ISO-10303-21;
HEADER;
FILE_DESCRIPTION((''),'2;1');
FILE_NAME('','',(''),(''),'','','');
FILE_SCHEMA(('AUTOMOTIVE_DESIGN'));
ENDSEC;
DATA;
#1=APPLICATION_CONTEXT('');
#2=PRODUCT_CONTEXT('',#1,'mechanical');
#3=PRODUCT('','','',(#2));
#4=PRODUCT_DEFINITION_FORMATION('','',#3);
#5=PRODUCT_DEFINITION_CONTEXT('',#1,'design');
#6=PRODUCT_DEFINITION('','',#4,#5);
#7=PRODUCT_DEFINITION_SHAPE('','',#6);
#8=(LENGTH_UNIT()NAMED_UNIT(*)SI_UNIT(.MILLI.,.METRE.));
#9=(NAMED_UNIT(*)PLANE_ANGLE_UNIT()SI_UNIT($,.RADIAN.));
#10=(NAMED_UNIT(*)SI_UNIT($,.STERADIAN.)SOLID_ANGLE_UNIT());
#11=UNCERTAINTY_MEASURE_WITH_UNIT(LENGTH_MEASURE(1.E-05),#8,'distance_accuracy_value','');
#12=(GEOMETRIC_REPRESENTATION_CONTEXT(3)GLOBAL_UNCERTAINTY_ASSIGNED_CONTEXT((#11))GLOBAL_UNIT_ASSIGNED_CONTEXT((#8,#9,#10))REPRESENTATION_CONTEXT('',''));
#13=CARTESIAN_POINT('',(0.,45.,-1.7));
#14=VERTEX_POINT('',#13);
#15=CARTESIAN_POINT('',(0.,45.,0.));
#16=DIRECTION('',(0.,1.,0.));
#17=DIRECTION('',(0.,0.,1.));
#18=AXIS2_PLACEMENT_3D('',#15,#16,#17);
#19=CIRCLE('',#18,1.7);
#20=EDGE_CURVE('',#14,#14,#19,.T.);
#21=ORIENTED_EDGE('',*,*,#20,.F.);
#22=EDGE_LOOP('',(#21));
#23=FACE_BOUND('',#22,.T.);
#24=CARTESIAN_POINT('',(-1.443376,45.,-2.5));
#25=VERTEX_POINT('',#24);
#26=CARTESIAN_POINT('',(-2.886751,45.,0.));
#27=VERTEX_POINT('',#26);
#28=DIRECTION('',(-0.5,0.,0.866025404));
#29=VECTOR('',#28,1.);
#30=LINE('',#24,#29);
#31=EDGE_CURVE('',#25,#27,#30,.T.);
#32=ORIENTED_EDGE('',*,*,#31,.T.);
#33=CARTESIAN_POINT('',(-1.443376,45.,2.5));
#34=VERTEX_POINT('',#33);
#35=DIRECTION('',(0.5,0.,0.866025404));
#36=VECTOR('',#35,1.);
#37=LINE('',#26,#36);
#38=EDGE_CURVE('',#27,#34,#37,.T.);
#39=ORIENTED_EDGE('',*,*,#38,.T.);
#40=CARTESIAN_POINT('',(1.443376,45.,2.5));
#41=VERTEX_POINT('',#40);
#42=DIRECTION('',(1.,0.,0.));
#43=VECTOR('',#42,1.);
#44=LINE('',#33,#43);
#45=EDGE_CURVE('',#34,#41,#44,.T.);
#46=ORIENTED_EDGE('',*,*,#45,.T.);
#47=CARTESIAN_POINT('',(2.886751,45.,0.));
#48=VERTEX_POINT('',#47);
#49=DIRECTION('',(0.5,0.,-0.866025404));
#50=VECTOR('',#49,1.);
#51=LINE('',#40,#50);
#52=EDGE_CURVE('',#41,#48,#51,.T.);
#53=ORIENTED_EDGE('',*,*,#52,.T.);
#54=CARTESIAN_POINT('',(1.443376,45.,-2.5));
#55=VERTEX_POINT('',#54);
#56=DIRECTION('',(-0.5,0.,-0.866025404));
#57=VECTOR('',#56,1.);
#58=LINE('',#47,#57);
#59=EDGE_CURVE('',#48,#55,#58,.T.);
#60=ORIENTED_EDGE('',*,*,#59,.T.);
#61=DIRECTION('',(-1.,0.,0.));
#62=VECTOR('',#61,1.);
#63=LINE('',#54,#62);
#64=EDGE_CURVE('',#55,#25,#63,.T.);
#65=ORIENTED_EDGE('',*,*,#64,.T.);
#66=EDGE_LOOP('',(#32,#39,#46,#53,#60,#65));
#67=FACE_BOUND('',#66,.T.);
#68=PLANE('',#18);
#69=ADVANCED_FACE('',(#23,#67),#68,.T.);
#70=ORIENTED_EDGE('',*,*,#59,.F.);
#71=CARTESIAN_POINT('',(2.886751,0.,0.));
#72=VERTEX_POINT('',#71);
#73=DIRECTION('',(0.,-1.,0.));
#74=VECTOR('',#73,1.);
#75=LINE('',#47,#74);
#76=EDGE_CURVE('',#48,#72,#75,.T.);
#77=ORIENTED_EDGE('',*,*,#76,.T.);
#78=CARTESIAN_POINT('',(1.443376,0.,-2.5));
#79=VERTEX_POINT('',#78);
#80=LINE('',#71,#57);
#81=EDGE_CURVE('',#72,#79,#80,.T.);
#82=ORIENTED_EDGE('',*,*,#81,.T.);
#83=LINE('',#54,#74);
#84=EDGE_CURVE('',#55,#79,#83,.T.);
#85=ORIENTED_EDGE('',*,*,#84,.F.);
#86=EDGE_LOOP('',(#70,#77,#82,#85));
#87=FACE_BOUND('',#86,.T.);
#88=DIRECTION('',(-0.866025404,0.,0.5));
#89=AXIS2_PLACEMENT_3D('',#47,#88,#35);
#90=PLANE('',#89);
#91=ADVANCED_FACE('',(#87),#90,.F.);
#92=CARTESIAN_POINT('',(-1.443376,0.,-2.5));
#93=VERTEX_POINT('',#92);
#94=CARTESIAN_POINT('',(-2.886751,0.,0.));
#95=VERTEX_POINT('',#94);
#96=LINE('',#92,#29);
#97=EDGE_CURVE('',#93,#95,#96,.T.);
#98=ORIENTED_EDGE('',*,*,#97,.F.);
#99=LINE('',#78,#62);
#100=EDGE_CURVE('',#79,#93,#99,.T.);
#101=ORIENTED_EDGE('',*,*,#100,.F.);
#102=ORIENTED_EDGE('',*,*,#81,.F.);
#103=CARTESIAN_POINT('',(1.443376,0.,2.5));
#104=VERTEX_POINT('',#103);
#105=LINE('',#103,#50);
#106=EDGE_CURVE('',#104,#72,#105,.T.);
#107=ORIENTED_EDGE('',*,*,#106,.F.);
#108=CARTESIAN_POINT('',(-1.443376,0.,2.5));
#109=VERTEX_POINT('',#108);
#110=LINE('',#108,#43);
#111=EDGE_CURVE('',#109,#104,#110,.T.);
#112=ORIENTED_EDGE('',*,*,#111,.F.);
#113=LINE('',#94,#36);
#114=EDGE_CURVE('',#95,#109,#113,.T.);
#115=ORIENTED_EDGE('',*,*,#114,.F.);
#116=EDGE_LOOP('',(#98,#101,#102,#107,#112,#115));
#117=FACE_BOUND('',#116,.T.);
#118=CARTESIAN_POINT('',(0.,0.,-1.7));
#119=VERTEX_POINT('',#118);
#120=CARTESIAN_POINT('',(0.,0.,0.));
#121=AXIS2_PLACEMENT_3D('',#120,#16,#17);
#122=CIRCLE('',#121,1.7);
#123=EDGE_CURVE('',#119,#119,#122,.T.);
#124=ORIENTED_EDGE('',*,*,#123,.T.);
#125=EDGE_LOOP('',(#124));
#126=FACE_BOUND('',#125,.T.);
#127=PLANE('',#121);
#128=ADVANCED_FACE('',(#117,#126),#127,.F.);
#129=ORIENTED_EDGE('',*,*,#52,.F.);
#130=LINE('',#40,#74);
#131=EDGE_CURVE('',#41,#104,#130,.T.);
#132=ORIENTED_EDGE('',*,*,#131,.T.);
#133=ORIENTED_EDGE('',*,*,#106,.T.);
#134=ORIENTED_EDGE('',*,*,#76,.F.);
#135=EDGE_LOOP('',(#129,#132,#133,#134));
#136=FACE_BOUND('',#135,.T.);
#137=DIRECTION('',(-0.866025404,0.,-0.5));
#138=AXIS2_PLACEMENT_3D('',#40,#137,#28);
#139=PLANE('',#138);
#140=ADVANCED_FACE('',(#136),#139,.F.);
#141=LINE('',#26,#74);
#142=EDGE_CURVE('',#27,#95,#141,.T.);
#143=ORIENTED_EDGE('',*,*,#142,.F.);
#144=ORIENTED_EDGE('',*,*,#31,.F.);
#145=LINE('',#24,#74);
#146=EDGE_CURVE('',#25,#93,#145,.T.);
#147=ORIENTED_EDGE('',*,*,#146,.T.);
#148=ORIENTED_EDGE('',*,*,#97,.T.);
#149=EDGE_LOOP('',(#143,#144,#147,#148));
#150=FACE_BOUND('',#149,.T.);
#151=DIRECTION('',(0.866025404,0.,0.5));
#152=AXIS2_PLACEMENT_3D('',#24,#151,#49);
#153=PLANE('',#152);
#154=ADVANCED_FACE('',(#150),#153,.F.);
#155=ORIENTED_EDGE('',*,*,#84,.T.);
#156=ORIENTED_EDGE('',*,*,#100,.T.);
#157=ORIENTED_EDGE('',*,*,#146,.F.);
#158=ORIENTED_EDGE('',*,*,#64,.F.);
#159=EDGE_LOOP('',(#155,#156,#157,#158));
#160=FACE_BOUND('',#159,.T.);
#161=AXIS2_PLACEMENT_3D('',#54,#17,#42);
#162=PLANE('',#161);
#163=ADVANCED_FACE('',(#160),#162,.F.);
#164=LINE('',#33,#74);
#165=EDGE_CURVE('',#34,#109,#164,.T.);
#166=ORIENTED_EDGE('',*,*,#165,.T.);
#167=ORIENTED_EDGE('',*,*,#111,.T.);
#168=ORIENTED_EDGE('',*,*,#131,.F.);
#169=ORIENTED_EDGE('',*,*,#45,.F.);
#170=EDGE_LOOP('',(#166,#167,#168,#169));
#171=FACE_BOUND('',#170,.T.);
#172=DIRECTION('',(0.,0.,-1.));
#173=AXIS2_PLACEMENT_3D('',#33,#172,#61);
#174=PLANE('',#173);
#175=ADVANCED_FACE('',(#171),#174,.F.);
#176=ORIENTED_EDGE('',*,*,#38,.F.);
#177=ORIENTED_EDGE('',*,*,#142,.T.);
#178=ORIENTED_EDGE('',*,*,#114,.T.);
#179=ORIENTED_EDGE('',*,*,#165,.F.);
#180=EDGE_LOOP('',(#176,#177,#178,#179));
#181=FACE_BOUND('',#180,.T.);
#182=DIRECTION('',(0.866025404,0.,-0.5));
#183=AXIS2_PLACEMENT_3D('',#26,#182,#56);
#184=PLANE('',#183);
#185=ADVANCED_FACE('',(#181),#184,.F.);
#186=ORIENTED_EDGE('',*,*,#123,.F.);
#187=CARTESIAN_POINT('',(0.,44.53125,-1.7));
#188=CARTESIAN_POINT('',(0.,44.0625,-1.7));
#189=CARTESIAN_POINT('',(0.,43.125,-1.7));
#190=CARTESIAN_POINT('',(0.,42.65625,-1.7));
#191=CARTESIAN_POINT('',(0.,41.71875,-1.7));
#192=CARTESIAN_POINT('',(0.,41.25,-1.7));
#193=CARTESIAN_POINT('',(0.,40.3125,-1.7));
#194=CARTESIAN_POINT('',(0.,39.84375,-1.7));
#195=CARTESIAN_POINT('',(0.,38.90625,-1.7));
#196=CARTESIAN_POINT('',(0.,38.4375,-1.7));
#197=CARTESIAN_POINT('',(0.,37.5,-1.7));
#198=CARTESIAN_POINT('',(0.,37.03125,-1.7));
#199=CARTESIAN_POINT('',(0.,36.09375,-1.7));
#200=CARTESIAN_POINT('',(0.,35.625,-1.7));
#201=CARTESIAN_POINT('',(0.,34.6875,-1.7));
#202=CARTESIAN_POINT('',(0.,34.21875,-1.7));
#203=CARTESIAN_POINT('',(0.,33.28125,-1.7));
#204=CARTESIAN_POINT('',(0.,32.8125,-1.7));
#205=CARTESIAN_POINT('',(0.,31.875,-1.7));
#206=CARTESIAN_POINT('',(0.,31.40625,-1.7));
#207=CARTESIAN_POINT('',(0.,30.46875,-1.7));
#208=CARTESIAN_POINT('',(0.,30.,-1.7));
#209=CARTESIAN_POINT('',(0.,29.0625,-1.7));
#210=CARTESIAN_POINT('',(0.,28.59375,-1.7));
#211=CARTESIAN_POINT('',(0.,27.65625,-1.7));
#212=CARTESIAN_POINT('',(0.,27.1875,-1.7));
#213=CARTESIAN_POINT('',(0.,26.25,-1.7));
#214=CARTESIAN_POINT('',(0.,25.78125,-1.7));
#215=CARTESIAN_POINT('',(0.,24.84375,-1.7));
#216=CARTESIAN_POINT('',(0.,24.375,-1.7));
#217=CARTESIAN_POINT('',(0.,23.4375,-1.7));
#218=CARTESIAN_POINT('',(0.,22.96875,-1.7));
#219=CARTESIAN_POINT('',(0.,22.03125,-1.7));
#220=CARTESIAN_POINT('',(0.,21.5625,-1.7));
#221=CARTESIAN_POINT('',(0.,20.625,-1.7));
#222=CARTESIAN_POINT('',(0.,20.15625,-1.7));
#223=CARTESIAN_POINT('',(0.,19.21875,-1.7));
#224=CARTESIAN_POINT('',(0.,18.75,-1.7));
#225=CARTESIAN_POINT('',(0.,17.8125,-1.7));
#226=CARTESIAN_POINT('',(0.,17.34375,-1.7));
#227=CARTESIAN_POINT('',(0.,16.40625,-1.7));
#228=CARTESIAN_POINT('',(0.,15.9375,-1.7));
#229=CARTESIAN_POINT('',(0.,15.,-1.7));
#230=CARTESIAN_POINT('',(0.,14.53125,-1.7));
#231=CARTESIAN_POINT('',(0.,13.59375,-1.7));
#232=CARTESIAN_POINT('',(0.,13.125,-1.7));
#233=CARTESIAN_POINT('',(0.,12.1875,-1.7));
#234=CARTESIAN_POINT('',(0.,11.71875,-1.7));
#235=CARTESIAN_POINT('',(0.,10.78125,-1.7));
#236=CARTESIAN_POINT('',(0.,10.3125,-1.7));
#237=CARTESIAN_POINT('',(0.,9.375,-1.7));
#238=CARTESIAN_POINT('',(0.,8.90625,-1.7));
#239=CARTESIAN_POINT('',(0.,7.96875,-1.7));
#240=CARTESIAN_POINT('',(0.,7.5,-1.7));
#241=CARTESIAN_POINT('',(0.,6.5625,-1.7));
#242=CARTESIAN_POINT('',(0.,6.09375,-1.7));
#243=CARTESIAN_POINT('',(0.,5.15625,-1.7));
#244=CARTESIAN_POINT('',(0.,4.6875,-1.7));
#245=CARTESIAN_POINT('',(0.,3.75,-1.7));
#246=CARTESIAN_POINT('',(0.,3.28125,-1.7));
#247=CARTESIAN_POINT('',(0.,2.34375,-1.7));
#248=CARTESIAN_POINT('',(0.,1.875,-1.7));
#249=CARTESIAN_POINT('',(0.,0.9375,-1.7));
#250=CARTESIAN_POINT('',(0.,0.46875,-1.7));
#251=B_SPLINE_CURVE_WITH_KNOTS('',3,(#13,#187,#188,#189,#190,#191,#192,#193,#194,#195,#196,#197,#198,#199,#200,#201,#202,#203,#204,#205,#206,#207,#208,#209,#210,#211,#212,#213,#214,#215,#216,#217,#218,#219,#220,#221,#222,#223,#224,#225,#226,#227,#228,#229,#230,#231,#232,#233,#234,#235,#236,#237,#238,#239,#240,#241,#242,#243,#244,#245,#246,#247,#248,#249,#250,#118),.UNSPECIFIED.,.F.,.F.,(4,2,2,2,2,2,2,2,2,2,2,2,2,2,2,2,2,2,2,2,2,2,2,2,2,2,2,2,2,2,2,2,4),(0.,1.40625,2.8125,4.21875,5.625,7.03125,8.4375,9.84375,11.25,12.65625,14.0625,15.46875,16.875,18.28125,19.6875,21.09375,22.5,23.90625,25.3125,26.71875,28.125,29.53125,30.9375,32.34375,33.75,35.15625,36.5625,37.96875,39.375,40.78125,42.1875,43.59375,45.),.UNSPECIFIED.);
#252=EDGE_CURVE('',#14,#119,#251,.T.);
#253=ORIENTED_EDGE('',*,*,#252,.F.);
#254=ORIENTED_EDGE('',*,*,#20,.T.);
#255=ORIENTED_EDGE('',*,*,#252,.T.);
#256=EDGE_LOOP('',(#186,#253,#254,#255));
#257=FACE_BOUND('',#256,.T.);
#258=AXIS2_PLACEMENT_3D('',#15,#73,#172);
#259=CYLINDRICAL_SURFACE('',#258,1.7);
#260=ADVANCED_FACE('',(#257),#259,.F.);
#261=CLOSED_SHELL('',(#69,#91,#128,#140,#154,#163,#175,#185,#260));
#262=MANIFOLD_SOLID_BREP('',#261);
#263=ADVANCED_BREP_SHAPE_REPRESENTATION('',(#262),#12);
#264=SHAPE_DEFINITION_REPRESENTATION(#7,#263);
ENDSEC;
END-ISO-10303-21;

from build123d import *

# Parameters (mm, degrees)
SKETCH_1_R      = 1.7
EXTRUDE_1_DEPTH = 45


with BuildPart() as part:
    # 草图1 → 凸台-拉伸1 (new body)
    with BuildSketch(Plane(origin=(0, 0, 0), x_dir=(1, 0, 0), z_dir=(0, 1, 0))):
        Polygon((2.886751346, 0), (1.443375673, 2.5), (-1.443375673, 2.5), (-2.886751346, 0), (-1.443375673, -2.5), (1.443375673, -2.5), align=None)
        with Locations(Location((0, 0, 0), (0, 0, 90))):
            Circle(SKETCH_1_R, mode=Mode.SUBTRACT)
    extrude(amount=EXTRUDE_1_DEPTH)


solid = part.part
